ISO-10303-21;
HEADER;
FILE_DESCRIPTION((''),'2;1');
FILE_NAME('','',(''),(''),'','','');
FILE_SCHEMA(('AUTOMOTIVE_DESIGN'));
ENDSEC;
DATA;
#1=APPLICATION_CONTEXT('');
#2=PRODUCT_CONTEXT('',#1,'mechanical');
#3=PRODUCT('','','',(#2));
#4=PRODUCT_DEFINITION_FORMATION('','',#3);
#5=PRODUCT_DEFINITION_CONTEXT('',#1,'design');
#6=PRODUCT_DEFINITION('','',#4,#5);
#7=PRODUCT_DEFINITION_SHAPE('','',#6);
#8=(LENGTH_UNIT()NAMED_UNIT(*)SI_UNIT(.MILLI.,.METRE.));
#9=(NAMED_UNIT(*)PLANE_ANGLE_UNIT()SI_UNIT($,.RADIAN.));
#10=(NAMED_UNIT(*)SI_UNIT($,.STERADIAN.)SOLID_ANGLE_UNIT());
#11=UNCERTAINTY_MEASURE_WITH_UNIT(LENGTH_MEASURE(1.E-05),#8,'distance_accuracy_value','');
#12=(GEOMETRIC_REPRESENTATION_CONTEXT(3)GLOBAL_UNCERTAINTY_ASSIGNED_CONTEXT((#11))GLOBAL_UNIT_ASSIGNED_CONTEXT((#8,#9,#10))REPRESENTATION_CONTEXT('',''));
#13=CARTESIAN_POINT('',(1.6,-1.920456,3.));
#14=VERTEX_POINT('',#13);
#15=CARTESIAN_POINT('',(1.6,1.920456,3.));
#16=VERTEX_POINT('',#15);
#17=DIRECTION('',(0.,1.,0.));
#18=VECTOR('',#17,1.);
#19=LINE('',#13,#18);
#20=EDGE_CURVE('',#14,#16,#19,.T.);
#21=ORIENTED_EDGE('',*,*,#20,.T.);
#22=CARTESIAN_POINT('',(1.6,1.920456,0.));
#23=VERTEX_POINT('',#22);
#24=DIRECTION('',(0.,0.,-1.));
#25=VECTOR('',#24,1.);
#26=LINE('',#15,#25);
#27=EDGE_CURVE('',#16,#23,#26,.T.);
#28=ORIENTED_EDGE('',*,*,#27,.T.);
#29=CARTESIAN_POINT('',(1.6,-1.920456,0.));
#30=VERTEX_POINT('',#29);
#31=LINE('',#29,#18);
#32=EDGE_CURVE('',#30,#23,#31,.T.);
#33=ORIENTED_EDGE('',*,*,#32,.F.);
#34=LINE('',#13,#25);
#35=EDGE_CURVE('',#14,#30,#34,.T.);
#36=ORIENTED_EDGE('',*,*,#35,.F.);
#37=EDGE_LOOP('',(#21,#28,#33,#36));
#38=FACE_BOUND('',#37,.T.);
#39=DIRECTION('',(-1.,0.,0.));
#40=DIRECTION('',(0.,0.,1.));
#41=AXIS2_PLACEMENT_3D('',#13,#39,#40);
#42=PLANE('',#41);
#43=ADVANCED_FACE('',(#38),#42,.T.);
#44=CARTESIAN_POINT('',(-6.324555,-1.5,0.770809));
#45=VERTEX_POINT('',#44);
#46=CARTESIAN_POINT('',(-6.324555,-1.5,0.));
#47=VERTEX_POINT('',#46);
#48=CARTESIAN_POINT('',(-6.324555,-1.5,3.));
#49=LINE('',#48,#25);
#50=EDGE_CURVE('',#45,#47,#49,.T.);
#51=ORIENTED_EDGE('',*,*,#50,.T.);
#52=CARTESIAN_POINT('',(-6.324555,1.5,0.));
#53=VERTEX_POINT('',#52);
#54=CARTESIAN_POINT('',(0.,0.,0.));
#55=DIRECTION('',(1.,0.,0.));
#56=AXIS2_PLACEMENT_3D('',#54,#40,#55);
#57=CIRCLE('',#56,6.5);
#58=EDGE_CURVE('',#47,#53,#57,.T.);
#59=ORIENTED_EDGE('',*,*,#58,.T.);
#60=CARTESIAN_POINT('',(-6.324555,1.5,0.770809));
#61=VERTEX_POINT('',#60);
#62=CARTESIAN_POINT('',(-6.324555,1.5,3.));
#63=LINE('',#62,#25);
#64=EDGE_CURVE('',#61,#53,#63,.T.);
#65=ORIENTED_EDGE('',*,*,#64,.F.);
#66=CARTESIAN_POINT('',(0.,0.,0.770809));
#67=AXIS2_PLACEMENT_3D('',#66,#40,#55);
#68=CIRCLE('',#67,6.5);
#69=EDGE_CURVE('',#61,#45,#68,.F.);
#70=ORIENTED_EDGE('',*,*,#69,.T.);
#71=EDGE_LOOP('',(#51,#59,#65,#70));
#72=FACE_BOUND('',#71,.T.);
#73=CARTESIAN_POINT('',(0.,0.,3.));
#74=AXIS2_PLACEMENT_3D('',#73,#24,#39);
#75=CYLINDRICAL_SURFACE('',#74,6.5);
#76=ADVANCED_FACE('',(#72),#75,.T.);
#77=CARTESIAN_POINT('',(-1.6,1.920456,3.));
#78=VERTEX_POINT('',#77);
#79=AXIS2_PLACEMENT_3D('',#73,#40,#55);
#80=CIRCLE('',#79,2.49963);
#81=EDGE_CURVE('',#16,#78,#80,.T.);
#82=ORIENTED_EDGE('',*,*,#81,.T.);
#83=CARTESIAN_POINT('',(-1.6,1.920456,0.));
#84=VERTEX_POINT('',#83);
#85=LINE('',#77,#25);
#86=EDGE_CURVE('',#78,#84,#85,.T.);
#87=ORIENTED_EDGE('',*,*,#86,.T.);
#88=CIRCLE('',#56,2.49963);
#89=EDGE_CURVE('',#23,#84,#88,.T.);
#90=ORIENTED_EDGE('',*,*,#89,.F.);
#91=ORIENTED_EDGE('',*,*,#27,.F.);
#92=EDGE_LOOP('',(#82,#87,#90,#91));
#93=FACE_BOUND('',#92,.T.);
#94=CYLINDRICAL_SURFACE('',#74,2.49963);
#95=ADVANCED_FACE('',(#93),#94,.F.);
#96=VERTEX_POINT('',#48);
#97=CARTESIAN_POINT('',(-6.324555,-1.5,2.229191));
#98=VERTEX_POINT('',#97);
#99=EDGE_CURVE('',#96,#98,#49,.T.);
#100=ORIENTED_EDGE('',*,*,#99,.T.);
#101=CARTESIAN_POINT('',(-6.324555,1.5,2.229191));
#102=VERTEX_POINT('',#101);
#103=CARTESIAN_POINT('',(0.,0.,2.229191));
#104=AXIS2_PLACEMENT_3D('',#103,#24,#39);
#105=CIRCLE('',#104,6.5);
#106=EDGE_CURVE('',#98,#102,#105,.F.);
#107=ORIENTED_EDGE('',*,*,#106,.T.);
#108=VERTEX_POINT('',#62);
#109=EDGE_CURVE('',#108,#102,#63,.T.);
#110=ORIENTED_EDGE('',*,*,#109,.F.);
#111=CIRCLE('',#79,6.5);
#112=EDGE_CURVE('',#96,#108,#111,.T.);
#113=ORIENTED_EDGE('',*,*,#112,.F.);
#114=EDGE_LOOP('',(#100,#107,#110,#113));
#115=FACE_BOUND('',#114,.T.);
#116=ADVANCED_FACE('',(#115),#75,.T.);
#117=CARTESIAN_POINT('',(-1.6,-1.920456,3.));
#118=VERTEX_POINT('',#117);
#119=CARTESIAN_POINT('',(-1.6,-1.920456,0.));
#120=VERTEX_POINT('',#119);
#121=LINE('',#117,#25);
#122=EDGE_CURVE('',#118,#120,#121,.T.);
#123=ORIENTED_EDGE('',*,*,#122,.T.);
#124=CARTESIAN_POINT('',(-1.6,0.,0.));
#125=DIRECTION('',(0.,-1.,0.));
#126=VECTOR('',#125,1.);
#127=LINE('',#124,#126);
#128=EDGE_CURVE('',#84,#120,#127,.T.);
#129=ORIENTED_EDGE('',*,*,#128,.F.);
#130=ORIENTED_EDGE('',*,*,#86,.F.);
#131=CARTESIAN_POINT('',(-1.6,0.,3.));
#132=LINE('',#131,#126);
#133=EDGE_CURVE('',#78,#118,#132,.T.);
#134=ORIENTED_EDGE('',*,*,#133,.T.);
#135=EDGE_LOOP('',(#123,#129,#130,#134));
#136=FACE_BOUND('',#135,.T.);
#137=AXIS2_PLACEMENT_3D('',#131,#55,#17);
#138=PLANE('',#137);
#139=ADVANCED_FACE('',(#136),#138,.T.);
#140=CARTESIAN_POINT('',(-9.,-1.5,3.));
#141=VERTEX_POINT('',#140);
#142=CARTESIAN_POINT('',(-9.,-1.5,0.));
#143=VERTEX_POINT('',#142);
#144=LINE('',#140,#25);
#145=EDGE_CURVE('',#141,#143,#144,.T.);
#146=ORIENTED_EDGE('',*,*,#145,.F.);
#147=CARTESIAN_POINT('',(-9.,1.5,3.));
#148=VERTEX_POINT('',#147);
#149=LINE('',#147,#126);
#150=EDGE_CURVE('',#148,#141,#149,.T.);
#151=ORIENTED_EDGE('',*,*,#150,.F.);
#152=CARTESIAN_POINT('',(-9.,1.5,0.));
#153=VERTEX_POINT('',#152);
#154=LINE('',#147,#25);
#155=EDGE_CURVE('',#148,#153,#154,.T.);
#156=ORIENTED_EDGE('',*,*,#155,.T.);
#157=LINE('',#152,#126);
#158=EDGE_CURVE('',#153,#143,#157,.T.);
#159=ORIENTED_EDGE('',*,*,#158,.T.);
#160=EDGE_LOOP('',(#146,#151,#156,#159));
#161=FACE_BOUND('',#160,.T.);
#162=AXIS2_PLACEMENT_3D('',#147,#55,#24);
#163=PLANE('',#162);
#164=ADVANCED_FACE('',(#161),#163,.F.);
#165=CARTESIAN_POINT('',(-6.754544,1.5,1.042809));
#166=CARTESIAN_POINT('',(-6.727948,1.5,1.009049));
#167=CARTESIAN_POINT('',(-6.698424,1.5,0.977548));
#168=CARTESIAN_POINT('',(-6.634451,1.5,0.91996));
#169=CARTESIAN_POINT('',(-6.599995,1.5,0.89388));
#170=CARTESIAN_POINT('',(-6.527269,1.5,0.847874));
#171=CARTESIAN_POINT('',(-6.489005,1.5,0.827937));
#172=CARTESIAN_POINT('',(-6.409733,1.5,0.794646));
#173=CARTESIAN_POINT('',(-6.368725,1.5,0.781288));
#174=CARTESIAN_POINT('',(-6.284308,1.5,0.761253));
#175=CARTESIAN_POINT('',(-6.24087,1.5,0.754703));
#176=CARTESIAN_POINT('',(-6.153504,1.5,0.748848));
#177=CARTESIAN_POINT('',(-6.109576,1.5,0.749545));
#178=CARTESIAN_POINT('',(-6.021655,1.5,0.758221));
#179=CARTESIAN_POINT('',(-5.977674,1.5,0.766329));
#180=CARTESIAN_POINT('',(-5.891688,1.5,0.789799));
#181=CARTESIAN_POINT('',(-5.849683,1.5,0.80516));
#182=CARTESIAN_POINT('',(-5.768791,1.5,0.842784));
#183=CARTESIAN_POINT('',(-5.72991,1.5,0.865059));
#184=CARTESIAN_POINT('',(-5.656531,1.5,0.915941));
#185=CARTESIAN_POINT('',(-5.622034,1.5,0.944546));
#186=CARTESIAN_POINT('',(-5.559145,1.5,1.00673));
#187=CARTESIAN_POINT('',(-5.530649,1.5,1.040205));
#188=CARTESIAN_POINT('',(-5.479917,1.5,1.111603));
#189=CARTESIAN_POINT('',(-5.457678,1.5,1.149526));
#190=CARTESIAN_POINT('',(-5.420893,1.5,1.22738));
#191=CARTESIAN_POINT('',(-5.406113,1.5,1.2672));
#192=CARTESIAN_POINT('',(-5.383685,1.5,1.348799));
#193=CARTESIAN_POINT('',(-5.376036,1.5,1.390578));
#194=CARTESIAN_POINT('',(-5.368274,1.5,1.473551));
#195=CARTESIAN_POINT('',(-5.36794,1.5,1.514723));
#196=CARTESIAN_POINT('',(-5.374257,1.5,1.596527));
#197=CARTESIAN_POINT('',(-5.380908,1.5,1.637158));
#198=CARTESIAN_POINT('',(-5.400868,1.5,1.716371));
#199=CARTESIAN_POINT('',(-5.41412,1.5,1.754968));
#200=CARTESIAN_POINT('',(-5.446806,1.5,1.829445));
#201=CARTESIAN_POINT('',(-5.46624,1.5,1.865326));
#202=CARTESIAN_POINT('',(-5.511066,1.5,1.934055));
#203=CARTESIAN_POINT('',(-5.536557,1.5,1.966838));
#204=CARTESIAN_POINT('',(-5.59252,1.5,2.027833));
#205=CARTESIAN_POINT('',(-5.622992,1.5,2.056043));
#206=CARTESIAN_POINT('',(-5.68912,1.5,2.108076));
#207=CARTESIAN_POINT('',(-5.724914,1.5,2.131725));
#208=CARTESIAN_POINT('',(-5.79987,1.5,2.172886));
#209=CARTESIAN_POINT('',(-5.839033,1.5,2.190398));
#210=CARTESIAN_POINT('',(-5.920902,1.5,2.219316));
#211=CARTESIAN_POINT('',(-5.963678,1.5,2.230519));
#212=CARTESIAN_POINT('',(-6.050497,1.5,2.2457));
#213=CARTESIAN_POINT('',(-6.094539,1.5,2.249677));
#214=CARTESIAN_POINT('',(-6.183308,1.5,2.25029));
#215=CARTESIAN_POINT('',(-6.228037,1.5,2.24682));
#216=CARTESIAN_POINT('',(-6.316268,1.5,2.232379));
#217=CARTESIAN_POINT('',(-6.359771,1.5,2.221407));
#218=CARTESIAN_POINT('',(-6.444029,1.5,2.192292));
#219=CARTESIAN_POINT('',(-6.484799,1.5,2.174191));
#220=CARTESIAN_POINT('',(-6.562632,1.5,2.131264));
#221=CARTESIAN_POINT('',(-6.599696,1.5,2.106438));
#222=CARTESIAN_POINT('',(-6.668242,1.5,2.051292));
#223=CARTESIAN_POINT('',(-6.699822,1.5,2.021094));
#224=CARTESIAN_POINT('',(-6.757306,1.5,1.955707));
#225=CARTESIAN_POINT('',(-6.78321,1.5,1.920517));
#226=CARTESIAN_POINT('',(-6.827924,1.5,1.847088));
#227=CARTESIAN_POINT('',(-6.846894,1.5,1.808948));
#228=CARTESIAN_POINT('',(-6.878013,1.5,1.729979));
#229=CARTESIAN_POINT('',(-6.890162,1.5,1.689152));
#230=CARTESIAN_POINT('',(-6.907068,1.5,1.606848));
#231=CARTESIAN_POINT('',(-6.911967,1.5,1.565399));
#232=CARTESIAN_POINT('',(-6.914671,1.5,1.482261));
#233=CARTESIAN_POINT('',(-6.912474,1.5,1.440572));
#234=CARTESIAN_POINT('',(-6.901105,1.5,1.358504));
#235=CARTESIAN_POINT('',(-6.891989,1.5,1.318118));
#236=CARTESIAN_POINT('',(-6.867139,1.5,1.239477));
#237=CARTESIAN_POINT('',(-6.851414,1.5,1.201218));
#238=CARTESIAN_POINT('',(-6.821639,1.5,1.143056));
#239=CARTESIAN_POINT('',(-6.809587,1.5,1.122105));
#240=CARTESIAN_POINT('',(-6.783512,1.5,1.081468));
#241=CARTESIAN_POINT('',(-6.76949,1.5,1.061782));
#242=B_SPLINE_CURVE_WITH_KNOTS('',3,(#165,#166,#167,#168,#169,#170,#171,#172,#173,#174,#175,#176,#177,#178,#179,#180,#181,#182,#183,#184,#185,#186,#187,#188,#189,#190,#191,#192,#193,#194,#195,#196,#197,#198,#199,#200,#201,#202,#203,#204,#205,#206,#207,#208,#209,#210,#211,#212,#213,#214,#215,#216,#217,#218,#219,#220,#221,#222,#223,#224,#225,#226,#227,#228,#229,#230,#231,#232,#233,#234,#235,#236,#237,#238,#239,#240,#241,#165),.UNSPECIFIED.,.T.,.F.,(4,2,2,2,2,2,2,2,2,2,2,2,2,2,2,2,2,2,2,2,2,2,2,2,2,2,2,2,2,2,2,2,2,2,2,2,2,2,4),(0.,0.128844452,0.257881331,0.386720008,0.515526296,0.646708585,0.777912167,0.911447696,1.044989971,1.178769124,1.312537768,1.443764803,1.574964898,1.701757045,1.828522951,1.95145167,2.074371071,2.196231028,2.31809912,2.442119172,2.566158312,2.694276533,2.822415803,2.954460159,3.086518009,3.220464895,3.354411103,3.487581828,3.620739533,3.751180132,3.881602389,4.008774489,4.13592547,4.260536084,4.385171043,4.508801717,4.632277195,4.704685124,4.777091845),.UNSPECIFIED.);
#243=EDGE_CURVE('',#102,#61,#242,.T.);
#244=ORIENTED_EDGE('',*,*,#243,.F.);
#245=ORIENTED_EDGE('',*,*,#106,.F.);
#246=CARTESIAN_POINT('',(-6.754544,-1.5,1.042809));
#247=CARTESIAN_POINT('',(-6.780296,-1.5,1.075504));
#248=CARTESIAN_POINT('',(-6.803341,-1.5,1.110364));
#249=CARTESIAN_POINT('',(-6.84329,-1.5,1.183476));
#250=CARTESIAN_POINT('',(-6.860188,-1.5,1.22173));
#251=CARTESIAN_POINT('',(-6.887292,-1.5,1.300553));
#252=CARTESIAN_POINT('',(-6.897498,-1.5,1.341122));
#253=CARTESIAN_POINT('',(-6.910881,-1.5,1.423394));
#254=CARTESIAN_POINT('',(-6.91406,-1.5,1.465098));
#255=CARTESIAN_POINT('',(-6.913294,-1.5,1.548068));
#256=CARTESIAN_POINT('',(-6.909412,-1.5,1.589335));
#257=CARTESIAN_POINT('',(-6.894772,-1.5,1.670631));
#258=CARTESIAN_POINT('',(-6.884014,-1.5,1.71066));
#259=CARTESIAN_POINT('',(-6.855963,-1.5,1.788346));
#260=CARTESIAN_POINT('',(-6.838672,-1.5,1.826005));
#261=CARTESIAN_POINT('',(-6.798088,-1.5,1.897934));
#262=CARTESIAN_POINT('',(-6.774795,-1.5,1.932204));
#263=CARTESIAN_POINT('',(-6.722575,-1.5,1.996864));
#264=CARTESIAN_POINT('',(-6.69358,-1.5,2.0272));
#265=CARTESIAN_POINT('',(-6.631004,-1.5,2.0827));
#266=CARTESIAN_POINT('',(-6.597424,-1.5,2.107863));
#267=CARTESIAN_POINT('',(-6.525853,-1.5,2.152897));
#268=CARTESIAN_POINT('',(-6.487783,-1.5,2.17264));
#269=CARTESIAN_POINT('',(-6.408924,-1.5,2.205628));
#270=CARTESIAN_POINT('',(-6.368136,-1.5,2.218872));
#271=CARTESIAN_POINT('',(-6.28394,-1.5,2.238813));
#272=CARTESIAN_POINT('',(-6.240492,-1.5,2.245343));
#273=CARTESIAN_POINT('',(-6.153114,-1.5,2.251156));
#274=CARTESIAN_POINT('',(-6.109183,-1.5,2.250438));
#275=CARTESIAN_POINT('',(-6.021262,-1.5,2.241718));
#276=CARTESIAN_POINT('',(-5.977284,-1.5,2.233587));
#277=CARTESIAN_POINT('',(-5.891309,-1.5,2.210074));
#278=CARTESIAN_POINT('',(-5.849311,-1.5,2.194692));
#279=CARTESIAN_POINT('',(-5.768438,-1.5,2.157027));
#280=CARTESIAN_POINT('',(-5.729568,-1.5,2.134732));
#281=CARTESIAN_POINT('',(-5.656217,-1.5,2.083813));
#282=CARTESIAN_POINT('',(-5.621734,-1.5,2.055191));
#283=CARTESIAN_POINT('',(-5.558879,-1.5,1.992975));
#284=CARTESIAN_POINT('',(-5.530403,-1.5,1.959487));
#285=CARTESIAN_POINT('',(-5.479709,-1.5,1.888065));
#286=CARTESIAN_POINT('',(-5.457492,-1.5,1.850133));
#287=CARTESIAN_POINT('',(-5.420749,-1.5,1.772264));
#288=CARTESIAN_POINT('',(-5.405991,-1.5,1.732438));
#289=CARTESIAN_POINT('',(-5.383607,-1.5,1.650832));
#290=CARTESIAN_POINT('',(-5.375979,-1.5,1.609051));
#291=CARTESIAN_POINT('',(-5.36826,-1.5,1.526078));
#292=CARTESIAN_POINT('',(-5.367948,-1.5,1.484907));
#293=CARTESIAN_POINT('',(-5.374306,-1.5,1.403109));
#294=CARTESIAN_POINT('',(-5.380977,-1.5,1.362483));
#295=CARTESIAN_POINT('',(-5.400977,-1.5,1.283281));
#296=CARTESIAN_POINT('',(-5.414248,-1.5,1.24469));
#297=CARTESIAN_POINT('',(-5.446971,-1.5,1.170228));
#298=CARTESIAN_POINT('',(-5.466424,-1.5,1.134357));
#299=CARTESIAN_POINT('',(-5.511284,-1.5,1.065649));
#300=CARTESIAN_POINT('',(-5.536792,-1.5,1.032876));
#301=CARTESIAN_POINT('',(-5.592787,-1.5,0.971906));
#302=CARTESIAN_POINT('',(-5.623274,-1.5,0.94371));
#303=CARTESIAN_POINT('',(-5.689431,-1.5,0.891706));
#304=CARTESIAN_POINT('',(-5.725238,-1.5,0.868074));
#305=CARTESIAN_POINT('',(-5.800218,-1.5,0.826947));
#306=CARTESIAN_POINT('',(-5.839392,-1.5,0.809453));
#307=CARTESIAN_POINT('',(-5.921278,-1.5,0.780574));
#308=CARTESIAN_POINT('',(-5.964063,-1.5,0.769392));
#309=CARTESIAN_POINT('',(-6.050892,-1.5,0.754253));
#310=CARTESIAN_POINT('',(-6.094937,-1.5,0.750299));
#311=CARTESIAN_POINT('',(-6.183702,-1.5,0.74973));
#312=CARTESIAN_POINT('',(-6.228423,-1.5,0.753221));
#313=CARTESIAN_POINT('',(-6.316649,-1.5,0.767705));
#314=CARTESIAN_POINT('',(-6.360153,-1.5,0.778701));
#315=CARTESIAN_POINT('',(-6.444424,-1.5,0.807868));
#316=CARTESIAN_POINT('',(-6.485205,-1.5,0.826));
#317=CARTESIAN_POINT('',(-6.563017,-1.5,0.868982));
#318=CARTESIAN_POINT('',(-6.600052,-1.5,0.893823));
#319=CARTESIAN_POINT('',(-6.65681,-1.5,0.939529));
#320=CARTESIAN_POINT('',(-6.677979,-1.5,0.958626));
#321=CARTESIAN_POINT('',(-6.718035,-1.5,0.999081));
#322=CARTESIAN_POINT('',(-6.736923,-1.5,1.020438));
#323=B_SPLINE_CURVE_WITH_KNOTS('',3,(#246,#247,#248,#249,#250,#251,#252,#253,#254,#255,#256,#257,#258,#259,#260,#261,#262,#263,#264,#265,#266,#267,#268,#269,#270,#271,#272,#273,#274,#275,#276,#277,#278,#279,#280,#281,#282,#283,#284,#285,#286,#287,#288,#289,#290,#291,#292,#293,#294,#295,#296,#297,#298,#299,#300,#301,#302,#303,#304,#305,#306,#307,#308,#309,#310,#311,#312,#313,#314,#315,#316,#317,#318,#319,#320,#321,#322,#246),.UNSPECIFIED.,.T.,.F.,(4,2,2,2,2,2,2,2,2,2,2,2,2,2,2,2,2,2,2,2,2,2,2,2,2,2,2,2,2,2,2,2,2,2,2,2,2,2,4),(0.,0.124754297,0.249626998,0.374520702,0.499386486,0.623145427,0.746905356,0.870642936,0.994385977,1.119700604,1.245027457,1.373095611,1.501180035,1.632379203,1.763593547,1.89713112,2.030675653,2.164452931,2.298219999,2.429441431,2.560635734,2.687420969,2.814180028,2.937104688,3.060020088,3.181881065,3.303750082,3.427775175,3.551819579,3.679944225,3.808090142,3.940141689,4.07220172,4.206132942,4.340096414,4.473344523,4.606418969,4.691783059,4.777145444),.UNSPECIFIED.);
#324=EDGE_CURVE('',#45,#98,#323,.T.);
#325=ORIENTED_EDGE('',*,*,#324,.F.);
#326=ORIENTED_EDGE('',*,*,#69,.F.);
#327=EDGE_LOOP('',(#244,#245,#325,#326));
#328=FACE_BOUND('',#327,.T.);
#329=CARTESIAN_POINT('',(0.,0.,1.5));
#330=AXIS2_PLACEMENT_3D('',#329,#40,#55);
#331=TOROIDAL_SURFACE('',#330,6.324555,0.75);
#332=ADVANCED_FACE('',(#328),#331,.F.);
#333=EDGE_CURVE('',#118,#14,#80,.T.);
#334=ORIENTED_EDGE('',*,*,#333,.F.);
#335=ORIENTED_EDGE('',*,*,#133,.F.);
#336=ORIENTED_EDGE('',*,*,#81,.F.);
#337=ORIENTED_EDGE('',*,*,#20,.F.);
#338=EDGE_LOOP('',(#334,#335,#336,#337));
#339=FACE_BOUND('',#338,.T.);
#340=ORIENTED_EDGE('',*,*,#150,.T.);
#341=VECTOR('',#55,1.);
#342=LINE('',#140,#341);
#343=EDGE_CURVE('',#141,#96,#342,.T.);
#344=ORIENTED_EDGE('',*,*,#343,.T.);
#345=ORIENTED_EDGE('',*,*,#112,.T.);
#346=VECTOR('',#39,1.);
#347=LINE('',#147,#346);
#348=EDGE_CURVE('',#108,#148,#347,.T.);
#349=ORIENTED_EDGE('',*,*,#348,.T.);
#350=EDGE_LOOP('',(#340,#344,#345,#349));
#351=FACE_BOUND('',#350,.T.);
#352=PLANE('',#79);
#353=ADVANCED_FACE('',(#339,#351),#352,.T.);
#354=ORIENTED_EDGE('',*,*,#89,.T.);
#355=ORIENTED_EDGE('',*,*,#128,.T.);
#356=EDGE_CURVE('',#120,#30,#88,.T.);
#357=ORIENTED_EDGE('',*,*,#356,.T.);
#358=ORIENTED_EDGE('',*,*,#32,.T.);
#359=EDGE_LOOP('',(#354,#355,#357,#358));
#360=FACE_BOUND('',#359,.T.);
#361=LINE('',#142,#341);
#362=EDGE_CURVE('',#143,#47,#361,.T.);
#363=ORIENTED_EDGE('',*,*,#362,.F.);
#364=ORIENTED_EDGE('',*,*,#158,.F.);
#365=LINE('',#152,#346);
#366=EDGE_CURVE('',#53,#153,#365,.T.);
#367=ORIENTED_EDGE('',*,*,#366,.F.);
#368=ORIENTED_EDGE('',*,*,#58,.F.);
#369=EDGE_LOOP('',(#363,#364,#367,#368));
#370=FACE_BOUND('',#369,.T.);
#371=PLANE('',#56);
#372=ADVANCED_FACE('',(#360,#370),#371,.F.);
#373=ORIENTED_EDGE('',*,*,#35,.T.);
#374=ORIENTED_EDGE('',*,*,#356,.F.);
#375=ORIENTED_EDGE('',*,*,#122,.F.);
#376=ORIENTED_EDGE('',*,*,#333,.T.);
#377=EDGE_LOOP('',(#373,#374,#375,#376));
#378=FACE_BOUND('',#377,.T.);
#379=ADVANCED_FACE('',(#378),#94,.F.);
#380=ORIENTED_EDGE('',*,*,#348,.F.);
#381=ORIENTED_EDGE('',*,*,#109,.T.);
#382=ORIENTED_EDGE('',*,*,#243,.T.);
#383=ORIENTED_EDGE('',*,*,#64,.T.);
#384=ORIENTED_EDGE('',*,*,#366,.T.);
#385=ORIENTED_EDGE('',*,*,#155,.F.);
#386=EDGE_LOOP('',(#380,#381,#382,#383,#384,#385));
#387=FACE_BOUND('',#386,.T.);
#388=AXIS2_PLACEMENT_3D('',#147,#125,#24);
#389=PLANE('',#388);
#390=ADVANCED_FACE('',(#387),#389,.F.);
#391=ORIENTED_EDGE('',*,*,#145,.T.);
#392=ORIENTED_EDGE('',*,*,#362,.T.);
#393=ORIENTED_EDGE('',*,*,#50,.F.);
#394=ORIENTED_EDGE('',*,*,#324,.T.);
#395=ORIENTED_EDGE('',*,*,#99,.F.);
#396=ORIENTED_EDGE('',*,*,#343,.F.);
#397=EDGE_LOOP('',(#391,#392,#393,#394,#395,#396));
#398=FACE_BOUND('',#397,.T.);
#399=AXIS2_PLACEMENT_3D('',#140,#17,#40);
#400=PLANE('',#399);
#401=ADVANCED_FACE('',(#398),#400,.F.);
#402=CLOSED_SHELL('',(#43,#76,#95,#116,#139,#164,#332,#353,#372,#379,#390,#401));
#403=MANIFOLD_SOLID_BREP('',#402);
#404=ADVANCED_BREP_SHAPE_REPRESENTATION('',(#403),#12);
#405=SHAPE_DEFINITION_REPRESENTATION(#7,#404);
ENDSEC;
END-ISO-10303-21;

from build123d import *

# Parameters (mm, degrees)
EXTRUDE_1_DEPTH = 3
SKETCH_4_R      = 0.75


with BuildPart() as part:
    # Эскиз1 → Бобышка-Вытянуть1 (new body)
    with BuildSketch(Plane.XY):
        with BuildLine():
            Line((-9, 1.5), (-6.32455532, 1.5))
            ThreePointArc((-6.32455532, 1.5), (6.5, 0), (-6.32455532, -1.5))
            Line((-6.32455532, -1.5), (-9, -1.5))
            Line((-9, -1.5), (-9, 1.5))
        make_face()
        with BuildLine():
            Line((-1.6, 0), (-1.6, 1.92045554))
            ThreePointArc((-1.6, 1.92045554), (0, 2.499629869), (1.6, 1.92045554))
            Line((1.6, 1.92045554), (1.6, -1.92045554))
            ThreePointArc((1.6, -1.92045554), (0, -2.499629869), (-1.6, -1.92045554))
            Line((-1.6, -1.92045554), (-1.6, 0))
        make_face(mode=Mode.SUBTRACT)
    extrude(amount=EXTRUDE_1_DEPTH)

    # Эскиз4 → Вырез-Повернуть1 (revolve, cut)
    with BuildSketch(Plane(origin=(0, 0, 0), x_dir=(-1, 0, 0), z_dir=(0, -1, 0))):
        with Locations((6.32455532, -1.5)):
            Circle(SKETCH_4_R)
    revolve(axis=Axis((0, 0, 0), (0, 0, -1)), mode=Mode.SUBTRACT)


solid = part.part
